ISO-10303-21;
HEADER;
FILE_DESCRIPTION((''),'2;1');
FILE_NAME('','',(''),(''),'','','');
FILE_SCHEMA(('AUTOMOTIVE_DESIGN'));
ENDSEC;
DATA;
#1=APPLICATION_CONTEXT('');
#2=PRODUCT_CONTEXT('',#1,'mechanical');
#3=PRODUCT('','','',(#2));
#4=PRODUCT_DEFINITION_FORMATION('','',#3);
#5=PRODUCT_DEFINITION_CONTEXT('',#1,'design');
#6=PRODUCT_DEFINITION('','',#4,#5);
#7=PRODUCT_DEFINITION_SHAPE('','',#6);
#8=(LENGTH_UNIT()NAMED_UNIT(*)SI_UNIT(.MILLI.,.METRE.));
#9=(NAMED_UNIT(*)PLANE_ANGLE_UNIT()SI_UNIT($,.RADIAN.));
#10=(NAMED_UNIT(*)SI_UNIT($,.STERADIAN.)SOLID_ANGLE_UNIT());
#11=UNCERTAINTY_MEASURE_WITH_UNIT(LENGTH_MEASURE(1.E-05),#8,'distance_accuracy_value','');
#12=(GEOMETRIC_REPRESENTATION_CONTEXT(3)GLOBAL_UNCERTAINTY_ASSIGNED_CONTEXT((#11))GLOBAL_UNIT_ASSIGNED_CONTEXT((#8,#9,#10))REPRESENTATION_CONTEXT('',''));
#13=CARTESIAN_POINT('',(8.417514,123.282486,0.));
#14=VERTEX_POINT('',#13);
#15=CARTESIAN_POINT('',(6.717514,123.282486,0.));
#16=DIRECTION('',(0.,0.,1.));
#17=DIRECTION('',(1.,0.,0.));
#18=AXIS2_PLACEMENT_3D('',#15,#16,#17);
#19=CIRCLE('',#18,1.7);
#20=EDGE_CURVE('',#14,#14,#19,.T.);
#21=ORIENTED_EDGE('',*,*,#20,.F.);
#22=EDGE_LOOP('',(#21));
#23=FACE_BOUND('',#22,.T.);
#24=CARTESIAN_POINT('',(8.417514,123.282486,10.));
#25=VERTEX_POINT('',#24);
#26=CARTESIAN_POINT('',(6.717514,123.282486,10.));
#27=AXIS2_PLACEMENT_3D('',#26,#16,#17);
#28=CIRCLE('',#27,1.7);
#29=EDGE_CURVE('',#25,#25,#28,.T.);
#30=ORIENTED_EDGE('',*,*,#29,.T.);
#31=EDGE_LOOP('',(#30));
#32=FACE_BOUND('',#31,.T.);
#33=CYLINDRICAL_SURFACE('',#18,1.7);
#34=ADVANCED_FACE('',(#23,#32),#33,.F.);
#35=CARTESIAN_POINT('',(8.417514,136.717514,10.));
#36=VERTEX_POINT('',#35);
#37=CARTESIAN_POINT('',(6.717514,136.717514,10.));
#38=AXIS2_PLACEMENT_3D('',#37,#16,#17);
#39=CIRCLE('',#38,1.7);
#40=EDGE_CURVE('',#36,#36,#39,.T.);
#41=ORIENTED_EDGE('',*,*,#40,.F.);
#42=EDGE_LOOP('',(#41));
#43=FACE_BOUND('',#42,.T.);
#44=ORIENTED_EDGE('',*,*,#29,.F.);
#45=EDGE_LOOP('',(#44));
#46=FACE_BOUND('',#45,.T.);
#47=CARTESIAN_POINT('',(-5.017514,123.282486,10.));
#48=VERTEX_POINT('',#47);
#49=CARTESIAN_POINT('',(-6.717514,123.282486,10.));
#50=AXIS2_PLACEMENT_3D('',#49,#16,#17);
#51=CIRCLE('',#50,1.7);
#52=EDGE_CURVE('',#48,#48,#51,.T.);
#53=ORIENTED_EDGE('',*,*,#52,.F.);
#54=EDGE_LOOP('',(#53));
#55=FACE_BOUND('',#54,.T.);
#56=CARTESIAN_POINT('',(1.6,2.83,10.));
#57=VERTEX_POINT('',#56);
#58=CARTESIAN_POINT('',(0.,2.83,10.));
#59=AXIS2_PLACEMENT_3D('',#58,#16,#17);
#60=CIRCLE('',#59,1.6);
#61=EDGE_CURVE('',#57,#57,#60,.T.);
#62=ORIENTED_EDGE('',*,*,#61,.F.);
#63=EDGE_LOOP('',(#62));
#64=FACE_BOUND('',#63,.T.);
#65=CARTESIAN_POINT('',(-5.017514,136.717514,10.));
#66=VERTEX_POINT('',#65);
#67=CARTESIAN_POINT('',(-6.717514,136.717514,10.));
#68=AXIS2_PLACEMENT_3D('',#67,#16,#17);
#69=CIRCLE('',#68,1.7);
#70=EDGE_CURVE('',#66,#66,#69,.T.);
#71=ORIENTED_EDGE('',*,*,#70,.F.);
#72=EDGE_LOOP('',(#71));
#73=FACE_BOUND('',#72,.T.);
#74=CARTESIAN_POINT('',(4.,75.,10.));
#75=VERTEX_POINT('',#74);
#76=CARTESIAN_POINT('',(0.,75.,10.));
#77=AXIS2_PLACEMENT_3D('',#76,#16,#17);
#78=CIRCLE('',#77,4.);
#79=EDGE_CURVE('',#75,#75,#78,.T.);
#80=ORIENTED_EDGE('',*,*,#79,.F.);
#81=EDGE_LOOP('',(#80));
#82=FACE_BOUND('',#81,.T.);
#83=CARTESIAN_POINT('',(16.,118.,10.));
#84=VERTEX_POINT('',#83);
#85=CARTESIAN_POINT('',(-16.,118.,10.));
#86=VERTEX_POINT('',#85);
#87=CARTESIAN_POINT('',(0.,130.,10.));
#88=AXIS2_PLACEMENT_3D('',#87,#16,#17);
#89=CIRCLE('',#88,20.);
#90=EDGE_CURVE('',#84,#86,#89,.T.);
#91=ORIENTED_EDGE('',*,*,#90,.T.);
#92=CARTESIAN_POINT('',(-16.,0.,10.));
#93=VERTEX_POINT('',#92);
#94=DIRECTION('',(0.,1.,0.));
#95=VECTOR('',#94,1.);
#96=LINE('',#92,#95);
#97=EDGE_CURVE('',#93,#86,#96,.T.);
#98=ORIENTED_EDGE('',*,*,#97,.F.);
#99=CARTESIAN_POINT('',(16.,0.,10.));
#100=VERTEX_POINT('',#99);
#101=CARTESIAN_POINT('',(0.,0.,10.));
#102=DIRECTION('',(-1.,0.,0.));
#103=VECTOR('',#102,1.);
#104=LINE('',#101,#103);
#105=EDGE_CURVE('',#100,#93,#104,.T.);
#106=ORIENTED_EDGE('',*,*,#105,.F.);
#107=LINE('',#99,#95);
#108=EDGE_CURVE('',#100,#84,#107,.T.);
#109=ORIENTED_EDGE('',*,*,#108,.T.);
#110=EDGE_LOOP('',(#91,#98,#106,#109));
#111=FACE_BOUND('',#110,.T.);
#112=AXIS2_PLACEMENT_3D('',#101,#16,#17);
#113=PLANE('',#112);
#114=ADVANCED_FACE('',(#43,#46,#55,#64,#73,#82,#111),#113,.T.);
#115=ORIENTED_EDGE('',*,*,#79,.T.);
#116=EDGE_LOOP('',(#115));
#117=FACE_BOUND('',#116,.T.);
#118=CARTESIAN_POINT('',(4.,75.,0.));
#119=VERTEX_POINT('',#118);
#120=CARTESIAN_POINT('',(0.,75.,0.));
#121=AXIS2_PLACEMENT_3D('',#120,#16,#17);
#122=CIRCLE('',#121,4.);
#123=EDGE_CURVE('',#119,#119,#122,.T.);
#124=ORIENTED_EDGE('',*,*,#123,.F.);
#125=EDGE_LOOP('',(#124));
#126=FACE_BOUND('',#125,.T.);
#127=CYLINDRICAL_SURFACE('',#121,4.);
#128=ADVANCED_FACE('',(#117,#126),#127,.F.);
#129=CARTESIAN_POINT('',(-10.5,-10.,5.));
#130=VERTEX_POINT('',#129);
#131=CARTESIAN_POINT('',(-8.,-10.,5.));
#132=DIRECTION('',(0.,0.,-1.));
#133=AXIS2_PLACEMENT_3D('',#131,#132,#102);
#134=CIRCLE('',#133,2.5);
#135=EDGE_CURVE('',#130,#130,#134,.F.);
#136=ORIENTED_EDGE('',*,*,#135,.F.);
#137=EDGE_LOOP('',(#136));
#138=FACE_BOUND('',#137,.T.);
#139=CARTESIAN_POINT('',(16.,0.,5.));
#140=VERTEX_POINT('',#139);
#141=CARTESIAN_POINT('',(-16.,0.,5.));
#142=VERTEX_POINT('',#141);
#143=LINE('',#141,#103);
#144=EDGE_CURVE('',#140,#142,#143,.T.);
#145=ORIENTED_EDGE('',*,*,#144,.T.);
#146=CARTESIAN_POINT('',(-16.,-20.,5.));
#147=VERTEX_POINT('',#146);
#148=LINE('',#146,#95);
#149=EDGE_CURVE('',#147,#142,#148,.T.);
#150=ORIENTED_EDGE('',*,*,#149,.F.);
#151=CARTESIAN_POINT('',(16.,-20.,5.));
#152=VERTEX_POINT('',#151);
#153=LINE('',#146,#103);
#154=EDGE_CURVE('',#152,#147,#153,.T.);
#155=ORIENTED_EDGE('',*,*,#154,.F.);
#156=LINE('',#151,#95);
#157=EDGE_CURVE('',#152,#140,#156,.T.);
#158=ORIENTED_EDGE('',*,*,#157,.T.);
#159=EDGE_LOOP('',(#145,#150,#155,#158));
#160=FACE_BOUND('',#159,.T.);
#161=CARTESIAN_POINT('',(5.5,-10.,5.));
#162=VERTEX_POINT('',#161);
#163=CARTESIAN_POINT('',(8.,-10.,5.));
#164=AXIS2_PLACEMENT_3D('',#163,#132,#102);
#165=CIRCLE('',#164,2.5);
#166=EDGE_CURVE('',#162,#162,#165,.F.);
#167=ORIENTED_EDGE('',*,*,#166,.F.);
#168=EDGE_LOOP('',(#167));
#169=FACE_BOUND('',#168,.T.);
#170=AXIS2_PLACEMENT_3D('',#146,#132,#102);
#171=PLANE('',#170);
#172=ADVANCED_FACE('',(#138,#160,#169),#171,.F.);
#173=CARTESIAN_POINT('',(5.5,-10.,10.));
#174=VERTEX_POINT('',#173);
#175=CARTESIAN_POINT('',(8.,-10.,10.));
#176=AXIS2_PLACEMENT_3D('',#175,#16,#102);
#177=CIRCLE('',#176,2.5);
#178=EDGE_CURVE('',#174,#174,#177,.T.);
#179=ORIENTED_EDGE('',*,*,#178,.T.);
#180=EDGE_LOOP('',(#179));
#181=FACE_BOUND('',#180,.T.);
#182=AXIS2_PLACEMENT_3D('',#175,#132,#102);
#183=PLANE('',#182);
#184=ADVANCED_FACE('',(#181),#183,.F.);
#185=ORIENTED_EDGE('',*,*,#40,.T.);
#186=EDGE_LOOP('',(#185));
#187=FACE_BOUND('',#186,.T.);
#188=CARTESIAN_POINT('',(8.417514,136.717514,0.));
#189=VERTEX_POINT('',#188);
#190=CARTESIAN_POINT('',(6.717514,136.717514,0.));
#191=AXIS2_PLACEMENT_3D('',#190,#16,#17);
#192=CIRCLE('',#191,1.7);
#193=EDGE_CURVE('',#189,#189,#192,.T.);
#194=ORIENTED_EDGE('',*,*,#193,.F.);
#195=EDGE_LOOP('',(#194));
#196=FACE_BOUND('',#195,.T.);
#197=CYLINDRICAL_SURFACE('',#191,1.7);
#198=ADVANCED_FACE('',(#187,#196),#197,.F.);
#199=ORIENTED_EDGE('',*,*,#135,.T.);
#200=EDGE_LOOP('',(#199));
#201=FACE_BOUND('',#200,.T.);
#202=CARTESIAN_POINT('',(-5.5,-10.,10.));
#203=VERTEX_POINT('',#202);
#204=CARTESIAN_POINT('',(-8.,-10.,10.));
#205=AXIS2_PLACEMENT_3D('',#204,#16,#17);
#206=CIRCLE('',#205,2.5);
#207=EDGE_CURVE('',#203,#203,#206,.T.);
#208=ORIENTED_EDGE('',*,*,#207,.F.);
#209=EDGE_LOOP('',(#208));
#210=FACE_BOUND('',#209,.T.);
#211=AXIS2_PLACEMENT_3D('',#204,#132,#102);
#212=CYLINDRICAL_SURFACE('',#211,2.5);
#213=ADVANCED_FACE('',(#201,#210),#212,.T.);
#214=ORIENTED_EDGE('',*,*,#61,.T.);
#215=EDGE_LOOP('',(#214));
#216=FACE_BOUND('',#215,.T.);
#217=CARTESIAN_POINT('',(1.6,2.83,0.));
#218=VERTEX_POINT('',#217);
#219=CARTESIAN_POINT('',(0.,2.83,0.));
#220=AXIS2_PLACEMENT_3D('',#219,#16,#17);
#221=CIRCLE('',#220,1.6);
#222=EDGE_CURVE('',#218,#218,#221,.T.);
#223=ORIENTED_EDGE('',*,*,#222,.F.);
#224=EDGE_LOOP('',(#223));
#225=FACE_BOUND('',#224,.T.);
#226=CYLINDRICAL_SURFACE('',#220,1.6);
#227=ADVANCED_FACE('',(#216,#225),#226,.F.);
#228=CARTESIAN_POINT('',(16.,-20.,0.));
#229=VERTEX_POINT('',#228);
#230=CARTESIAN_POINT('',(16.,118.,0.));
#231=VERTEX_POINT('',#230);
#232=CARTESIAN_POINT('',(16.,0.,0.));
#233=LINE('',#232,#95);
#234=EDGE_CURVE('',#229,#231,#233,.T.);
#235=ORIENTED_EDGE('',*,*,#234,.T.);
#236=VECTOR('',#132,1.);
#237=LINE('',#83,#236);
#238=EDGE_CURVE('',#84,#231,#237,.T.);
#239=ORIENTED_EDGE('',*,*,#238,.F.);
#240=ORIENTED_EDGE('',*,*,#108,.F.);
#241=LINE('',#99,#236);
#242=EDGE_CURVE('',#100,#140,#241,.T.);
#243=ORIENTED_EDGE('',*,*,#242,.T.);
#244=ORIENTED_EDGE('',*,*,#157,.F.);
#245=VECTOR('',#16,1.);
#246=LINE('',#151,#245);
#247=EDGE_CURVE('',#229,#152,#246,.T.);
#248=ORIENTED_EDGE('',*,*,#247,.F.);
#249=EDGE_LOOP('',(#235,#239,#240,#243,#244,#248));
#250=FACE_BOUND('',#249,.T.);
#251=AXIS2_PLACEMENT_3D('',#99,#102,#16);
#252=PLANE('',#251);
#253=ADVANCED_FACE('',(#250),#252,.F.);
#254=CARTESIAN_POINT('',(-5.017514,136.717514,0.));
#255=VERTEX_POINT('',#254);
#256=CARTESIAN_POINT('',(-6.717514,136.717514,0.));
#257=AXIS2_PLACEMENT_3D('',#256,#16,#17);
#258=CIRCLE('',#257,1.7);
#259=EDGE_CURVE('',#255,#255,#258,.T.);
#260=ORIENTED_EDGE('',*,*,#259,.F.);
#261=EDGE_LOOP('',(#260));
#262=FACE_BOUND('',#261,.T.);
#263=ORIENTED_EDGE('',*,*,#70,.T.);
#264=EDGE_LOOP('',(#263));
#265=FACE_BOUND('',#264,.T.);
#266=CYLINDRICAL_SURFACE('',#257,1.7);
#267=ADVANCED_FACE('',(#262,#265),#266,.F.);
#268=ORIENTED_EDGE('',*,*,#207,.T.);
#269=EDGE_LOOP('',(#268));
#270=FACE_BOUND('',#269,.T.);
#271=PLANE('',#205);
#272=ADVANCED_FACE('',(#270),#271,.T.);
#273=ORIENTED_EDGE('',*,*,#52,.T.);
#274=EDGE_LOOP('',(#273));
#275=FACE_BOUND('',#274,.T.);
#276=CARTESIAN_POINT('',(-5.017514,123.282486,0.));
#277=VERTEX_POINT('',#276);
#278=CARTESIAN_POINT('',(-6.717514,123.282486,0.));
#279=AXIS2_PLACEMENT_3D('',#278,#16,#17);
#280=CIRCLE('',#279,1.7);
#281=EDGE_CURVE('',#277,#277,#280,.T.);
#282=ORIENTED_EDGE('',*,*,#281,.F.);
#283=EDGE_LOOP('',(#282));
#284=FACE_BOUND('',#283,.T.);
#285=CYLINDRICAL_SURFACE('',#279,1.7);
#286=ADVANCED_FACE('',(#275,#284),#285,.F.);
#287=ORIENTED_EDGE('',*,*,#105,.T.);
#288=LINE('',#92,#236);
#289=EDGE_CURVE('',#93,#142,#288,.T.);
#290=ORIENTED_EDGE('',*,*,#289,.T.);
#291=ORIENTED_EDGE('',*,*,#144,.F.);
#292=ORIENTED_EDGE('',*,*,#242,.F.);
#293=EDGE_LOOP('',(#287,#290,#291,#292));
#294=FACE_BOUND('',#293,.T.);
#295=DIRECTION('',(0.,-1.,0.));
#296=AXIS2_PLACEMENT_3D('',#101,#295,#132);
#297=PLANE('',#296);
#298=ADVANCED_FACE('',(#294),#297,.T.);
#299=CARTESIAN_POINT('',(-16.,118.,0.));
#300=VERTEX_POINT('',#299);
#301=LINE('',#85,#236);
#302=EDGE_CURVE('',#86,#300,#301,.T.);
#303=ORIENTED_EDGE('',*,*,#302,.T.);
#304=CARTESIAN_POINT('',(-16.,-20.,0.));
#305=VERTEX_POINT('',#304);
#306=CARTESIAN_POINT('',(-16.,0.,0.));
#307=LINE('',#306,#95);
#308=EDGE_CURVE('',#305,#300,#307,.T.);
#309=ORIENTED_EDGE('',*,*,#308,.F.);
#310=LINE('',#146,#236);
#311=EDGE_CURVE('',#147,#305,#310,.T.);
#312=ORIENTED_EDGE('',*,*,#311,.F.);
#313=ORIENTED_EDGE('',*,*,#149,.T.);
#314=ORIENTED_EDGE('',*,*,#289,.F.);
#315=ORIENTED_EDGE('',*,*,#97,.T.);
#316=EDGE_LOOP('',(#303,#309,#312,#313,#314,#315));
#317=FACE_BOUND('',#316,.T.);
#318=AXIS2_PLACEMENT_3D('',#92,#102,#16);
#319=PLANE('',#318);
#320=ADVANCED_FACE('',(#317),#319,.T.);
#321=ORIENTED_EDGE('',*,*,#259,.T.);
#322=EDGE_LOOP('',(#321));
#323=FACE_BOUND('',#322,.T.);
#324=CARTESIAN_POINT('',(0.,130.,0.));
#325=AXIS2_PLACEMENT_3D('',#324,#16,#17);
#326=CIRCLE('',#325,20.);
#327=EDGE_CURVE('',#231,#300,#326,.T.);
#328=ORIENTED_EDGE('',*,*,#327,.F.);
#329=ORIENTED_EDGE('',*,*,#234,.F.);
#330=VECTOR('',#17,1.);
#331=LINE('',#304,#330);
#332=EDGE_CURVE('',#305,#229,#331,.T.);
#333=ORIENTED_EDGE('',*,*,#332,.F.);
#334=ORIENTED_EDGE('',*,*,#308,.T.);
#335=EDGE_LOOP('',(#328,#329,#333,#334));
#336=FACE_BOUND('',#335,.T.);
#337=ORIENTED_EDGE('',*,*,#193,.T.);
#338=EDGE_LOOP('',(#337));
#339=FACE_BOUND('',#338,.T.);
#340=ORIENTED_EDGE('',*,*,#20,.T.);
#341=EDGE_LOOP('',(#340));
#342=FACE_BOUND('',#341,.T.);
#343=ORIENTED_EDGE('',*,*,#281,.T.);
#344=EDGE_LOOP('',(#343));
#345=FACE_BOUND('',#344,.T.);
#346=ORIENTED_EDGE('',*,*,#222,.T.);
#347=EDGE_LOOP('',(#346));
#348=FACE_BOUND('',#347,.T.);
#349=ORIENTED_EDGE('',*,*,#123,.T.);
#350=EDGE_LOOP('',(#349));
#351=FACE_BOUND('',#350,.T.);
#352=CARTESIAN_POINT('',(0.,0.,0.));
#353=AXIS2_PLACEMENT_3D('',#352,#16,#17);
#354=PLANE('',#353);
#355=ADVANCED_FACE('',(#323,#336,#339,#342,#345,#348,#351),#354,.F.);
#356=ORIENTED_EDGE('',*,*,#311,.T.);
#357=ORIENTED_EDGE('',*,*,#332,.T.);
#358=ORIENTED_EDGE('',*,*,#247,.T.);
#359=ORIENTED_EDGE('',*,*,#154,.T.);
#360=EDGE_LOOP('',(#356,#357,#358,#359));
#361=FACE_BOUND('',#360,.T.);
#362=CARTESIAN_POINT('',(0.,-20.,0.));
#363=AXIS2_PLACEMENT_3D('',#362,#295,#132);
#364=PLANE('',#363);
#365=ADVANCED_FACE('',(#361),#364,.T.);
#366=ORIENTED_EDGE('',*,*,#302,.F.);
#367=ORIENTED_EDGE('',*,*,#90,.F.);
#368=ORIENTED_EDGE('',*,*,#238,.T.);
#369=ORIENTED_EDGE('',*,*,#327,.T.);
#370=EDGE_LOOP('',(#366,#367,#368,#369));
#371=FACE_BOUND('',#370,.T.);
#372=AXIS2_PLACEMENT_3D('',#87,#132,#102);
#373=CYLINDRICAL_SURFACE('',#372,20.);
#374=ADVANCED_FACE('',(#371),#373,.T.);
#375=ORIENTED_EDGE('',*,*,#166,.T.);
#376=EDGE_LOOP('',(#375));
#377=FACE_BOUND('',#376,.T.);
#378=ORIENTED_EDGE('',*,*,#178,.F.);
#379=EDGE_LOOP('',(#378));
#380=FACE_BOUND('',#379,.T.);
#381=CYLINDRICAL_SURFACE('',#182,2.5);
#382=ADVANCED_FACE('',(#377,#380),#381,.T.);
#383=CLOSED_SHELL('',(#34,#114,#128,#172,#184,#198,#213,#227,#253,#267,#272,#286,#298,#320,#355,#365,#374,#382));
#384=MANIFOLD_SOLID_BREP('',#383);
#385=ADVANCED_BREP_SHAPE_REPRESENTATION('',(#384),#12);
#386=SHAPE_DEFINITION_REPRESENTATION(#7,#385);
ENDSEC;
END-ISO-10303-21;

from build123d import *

# Parameters (mm, degrees)
BOSS_EXTRU_1_DEPTH      = 10
ESQUISSE3_W             = 32
ESQUISSE3_H             = 5
BOSS_EXTRU_2_DEPTH      = 20
ESQUISSE4_R             = 2.5
BOSS_EXTRU_3_DEPTH      = 5
ESQUISSE6_R             = 1.7
ESQUISSE6_R_2           = 4
ESQUISSE6_R_3           = 1.6
ENL_V_MAT_EXTRU_1_DEPTH = 152.657508881


with BuildPart() as part:
    # Esquisse1 → Boss.-Extru.1 (new body)
    with BuildSketch(Plane.XY):
        with BuildLine():
            ThreePointArc((-16, 118), (0, 110), (16, 118))
            Line((16, 118), (16, 130))
            Line((16, 130), (-16, 130))
            Line((-16, 130), (-16, 118))
        make_face()
        with BuildLine():
            Line((16, 130), (16, 118))
            ThreePointArc((16, 118), (18.973665961, 123.67544468), (20, 130))
            ThreePointArc((20, 130), (-6.32455532, 148.973665961), (-16, 118))
            Line((-16, 118), (-16, 130))
            Line((-16, 130), (16, 130))
        make_face()
        with BuildLine():
            Line((-16, 0), (16, 0))
            Line((16, 0), (16, 118))
            ThreePointArc((16, 118), (0, 110), (-16, 118))
            Line((-16, 118), (-16, 0))
        make_face()
    extrude(amount=BOSS_EXTRU_1_DEPTH)

    # Esquisse3 → Boss.-Extru.2 (add)
    with BuildSketch(Plane.XZ):
        with Locations((0, 2.5)):
            Rectangle(ESQUISSE3_W, ESQUISSE3_H)
    extrude(amount=BOSS_EXTRU_2_DEPTH)

    # Esquisse4 → Boss.-Extru.3 (add)
    with BuildSketch(Plane.XY.offset(5)):
        with Locations(Location((-8, -10, 0), (0, 0, 180))):
            Circle(ESQUISSE4_R)
        with Locations(Location((8, -10, 0), (0, 0, 180))):
            Circle(ESQUISSE4_R)
    extrude(amount=BOSS_EXTRU_3_DEPTH)

    # Esquisse6 → Enlèv. mat.-Extru.1 (cut, through all)
    with BuildSketch(Plane.XY.offset(10)):
        with Locations((-6.717514421, 136.717514421)):
            Circle(ESQUISSE6_R)
        with Locations((6.717514421, 136.717514421)):
            Circle(ESQUISSE6_R)
        with Locations((6.717514421, 123.282485579)):
            Circle(ESQUISSE6_R)
        with Locations((-6.717514421, 123.282485579)):
            Circle(ESQUISSE6_R)
        with Locations((0, 75)):
            Circle(ESQUISSE6_R_2)
        with Locations((0, 2.83)):
            Circle(ESQUISSE6_R_3)
    extrude(amount=-ENL_V_MAT_EXTRU_1_DEPTH, mode=Mode.SUBTRACT)


solid = part.part
